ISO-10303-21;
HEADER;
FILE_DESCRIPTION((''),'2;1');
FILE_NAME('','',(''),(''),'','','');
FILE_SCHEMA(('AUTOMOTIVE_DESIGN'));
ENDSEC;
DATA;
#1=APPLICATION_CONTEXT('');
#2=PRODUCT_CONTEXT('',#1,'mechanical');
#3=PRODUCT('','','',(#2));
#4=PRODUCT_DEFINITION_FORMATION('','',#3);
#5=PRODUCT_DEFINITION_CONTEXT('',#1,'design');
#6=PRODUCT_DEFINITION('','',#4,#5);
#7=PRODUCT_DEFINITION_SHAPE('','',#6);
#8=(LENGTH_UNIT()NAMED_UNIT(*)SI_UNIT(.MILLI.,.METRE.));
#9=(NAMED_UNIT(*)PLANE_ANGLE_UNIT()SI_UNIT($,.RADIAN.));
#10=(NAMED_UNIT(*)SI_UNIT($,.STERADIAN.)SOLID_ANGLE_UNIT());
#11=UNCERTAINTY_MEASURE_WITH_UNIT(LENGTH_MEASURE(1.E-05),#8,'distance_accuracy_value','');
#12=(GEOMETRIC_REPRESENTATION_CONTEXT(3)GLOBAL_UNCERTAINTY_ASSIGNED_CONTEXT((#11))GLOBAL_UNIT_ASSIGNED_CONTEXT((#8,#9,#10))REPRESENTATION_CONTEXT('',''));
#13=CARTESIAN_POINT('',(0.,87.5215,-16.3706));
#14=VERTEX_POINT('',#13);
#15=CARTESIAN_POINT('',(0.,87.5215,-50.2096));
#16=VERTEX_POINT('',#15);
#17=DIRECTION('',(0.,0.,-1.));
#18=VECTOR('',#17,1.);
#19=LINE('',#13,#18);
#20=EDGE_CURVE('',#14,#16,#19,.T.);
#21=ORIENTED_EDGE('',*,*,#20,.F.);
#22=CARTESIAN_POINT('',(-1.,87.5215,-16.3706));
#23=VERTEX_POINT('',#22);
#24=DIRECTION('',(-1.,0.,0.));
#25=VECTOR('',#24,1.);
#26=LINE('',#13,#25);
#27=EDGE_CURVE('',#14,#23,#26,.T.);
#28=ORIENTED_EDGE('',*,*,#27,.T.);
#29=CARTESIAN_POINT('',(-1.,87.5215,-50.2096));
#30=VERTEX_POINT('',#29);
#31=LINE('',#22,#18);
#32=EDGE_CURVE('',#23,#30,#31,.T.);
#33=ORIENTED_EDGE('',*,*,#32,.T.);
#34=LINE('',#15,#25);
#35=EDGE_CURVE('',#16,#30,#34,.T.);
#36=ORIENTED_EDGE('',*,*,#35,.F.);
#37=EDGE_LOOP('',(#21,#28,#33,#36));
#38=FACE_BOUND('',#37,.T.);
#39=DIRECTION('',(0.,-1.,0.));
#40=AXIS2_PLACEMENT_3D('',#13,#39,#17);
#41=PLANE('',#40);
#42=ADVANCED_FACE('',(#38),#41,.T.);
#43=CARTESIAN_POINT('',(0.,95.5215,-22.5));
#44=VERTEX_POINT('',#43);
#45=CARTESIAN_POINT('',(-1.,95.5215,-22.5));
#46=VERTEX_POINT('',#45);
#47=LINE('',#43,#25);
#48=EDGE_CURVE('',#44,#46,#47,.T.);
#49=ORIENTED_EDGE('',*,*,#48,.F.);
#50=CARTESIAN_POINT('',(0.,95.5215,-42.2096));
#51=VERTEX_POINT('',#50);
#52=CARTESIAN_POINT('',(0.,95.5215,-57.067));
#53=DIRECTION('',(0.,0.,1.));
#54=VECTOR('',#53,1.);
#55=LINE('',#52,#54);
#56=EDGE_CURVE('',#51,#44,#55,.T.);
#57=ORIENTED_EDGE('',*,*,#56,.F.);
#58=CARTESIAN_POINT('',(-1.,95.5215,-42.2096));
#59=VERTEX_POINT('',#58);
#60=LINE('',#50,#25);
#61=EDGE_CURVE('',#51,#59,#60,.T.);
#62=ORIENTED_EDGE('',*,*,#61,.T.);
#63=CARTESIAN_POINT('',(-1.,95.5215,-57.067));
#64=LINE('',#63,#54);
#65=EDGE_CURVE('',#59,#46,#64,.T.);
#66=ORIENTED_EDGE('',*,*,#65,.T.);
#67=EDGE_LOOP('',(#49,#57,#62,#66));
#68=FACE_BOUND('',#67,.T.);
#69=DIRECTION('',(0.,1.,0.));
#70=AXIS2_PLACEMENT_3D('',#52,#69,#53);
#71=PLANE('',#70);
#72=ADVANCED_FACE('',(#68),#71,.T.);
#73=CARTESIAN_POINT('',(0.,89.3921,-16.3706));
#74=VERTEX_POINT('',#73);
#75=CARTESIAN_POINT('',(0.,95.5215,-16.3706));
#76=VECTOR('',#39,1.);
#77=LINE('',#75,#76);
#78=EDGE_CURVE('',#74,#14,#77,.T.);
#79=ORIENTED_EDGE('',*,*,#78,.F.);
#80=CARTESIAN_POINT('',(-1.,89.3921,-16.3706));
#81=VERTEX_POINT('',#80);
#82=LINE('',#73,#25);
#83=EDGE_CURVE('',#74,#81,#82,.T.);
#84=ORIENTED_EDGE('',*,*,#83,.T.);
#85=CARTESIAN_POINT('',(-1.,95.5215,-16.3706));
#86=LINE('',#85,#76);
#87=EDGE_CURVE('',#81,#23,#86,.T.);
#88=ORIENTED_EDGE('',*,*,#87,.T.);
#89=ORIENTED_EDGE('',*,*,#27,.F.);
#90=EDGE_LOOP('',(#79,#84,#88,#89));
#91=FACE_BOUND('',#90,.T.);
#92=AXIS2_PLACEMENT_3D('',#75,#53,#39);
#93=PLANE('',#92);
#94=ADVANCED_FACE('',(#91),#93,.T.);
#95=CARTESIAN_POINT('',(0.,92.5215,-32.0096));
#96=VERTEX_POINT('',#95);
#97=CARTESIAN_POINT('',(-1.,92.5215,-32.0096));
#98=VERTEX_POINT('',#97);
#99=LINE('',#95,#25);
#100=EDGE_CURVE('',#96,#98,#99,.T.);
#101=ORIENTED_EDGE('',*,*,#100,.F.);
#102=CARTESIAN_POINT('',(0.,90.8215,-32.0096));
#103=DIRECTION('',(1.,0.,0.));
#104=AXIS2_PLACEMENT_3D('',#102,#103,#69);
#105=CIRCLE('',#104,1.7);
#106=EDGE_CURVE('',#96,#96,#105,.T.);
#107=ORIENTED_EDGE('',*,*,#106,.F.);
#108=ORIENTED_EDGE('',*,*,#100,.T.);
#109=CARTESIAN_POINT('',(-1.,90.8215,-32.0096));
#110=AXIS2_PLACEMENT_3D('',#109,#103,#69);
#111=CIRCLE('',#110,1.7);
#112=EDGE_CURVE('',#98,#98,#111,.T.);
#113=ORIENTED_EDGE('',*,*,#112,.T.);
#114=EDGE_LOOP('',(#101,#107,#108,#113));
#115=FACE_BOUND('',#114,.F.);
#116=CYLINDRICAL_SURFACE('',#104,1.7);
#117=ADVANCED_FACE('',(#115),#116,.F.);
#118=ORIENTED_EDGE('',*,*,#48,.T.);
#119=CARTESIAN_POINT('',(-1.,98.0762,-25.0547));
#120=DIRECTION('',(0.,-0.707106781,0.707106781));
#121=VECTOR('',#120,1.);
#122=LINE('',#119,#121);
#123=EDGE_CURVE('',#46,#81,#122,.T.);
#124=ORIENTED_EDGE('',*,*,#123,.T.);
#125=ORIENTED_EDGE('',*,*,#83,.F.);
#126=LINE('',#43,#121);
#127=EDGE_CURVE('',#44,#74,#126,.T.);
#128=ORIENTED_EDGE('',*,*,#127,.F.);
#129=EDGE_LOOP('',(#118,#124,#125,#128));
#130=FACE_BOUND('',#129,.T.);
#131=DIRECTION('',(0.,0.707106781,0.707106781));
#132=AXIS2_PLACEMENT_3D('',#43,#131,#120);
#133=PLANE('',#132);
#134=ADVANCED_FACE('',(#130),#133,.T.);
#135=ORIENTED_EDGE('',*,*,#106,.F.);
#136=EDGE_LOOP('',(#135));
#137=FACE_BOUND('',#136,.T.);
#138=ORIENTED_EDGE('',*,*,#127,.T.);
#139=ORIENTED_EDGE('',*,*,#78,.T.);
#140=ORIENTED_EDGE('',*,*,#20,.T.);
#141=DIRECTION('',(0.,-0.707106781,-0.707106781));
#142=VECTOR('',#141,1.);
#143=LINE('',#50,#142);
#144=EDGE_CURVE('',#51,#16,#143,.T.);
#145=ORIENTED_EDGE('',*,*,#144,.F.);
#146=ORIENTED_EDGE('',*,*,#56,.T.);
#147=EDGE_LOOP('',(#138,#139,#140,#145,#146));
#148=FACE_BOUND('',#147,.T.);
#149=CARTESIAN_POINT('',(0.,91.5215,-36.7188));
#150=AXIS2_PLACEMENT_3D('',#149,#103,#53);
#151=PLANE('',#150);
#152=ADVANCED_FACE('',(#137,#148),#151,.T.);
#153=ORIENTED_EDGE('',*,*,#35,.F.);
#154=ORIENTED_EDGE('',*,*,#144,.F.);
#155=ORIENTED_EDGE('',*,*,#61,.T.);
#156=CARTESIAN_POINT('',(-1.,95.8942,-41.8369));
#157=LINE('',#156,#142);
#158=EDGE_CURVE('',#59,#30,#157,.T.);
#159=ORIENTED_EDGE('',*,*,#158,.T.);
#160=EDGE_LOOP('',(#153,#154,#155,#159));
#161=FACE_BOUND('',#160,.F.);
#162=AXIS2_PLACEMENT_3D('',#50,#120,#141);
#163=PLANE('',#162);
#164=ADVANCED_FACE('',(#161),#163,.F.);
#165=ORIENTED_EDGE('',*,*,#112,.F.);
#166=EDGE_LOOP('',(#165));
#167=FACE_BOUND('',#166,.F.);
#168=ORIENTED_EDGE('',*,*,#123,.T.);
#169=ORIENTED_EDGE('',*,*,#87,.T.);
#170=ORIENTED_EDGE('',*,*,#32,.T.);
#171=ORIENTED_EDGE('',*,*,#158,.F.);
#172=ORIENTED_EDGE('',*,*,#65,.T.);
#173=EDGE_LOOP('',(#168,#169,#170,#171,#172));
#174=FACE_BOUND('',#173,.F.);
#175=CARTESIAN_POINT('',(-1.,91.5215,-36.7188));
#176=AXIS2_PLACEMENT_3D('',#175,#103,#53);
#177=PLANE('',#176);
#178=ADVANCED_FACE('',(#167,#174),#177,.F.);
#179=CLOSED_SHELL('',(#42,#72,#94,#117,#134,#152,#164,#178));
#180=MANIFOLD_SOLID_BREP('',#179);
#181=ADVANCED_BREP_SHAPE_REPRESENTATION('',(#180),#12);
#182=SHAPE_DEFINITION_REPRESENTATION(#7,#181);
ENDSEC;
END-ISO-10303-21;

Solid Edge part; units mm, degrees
sketch "Sketch1" plane through (0, 0, 0) normal (1, 0, 0) x (0, 1, 0)
  line L0 (95.5215, -16.3706) -> (87.5215, -16.3706)
  line L1 (87.5215, -16.3706) -> (87.5215, -57.067)
  line L2 (87.5215, -57.067) -> (95.5215, -57.067)
  line L3 (95.5215, -57.067) -> (95.5215, -16.3706)
  circle A0 centre (90.8215, -32.0096) radius 1.7
  dimension "D1" = 8
extrude "Protrusion1" add sketch "Sketch1" against normal blind 1
sketch "Sketch2" plane through (0, 91.5215, -36.7188) normal (1, 0, 0) x (0, 0, 1)
  line L0 (-5.4908, -4) -> (-25.4908, 16)
  line L1 (-25.4908, 16) -> (-24.9247, -9.9187)
  line L2 (-24.9247, -9.9187) -> (-5.4908, -4)
  line L3 (14.2188, -4) -> (34.2188, 16)
  line L4 (34.2188, 16) -> (29.5856, -11.0555)
  line L5 (29.5856, -11.0555) -> (14.2188, -4)
extrude "ExtrudedCutout_1" cut sketch "Sketch2" against normal blind 36
